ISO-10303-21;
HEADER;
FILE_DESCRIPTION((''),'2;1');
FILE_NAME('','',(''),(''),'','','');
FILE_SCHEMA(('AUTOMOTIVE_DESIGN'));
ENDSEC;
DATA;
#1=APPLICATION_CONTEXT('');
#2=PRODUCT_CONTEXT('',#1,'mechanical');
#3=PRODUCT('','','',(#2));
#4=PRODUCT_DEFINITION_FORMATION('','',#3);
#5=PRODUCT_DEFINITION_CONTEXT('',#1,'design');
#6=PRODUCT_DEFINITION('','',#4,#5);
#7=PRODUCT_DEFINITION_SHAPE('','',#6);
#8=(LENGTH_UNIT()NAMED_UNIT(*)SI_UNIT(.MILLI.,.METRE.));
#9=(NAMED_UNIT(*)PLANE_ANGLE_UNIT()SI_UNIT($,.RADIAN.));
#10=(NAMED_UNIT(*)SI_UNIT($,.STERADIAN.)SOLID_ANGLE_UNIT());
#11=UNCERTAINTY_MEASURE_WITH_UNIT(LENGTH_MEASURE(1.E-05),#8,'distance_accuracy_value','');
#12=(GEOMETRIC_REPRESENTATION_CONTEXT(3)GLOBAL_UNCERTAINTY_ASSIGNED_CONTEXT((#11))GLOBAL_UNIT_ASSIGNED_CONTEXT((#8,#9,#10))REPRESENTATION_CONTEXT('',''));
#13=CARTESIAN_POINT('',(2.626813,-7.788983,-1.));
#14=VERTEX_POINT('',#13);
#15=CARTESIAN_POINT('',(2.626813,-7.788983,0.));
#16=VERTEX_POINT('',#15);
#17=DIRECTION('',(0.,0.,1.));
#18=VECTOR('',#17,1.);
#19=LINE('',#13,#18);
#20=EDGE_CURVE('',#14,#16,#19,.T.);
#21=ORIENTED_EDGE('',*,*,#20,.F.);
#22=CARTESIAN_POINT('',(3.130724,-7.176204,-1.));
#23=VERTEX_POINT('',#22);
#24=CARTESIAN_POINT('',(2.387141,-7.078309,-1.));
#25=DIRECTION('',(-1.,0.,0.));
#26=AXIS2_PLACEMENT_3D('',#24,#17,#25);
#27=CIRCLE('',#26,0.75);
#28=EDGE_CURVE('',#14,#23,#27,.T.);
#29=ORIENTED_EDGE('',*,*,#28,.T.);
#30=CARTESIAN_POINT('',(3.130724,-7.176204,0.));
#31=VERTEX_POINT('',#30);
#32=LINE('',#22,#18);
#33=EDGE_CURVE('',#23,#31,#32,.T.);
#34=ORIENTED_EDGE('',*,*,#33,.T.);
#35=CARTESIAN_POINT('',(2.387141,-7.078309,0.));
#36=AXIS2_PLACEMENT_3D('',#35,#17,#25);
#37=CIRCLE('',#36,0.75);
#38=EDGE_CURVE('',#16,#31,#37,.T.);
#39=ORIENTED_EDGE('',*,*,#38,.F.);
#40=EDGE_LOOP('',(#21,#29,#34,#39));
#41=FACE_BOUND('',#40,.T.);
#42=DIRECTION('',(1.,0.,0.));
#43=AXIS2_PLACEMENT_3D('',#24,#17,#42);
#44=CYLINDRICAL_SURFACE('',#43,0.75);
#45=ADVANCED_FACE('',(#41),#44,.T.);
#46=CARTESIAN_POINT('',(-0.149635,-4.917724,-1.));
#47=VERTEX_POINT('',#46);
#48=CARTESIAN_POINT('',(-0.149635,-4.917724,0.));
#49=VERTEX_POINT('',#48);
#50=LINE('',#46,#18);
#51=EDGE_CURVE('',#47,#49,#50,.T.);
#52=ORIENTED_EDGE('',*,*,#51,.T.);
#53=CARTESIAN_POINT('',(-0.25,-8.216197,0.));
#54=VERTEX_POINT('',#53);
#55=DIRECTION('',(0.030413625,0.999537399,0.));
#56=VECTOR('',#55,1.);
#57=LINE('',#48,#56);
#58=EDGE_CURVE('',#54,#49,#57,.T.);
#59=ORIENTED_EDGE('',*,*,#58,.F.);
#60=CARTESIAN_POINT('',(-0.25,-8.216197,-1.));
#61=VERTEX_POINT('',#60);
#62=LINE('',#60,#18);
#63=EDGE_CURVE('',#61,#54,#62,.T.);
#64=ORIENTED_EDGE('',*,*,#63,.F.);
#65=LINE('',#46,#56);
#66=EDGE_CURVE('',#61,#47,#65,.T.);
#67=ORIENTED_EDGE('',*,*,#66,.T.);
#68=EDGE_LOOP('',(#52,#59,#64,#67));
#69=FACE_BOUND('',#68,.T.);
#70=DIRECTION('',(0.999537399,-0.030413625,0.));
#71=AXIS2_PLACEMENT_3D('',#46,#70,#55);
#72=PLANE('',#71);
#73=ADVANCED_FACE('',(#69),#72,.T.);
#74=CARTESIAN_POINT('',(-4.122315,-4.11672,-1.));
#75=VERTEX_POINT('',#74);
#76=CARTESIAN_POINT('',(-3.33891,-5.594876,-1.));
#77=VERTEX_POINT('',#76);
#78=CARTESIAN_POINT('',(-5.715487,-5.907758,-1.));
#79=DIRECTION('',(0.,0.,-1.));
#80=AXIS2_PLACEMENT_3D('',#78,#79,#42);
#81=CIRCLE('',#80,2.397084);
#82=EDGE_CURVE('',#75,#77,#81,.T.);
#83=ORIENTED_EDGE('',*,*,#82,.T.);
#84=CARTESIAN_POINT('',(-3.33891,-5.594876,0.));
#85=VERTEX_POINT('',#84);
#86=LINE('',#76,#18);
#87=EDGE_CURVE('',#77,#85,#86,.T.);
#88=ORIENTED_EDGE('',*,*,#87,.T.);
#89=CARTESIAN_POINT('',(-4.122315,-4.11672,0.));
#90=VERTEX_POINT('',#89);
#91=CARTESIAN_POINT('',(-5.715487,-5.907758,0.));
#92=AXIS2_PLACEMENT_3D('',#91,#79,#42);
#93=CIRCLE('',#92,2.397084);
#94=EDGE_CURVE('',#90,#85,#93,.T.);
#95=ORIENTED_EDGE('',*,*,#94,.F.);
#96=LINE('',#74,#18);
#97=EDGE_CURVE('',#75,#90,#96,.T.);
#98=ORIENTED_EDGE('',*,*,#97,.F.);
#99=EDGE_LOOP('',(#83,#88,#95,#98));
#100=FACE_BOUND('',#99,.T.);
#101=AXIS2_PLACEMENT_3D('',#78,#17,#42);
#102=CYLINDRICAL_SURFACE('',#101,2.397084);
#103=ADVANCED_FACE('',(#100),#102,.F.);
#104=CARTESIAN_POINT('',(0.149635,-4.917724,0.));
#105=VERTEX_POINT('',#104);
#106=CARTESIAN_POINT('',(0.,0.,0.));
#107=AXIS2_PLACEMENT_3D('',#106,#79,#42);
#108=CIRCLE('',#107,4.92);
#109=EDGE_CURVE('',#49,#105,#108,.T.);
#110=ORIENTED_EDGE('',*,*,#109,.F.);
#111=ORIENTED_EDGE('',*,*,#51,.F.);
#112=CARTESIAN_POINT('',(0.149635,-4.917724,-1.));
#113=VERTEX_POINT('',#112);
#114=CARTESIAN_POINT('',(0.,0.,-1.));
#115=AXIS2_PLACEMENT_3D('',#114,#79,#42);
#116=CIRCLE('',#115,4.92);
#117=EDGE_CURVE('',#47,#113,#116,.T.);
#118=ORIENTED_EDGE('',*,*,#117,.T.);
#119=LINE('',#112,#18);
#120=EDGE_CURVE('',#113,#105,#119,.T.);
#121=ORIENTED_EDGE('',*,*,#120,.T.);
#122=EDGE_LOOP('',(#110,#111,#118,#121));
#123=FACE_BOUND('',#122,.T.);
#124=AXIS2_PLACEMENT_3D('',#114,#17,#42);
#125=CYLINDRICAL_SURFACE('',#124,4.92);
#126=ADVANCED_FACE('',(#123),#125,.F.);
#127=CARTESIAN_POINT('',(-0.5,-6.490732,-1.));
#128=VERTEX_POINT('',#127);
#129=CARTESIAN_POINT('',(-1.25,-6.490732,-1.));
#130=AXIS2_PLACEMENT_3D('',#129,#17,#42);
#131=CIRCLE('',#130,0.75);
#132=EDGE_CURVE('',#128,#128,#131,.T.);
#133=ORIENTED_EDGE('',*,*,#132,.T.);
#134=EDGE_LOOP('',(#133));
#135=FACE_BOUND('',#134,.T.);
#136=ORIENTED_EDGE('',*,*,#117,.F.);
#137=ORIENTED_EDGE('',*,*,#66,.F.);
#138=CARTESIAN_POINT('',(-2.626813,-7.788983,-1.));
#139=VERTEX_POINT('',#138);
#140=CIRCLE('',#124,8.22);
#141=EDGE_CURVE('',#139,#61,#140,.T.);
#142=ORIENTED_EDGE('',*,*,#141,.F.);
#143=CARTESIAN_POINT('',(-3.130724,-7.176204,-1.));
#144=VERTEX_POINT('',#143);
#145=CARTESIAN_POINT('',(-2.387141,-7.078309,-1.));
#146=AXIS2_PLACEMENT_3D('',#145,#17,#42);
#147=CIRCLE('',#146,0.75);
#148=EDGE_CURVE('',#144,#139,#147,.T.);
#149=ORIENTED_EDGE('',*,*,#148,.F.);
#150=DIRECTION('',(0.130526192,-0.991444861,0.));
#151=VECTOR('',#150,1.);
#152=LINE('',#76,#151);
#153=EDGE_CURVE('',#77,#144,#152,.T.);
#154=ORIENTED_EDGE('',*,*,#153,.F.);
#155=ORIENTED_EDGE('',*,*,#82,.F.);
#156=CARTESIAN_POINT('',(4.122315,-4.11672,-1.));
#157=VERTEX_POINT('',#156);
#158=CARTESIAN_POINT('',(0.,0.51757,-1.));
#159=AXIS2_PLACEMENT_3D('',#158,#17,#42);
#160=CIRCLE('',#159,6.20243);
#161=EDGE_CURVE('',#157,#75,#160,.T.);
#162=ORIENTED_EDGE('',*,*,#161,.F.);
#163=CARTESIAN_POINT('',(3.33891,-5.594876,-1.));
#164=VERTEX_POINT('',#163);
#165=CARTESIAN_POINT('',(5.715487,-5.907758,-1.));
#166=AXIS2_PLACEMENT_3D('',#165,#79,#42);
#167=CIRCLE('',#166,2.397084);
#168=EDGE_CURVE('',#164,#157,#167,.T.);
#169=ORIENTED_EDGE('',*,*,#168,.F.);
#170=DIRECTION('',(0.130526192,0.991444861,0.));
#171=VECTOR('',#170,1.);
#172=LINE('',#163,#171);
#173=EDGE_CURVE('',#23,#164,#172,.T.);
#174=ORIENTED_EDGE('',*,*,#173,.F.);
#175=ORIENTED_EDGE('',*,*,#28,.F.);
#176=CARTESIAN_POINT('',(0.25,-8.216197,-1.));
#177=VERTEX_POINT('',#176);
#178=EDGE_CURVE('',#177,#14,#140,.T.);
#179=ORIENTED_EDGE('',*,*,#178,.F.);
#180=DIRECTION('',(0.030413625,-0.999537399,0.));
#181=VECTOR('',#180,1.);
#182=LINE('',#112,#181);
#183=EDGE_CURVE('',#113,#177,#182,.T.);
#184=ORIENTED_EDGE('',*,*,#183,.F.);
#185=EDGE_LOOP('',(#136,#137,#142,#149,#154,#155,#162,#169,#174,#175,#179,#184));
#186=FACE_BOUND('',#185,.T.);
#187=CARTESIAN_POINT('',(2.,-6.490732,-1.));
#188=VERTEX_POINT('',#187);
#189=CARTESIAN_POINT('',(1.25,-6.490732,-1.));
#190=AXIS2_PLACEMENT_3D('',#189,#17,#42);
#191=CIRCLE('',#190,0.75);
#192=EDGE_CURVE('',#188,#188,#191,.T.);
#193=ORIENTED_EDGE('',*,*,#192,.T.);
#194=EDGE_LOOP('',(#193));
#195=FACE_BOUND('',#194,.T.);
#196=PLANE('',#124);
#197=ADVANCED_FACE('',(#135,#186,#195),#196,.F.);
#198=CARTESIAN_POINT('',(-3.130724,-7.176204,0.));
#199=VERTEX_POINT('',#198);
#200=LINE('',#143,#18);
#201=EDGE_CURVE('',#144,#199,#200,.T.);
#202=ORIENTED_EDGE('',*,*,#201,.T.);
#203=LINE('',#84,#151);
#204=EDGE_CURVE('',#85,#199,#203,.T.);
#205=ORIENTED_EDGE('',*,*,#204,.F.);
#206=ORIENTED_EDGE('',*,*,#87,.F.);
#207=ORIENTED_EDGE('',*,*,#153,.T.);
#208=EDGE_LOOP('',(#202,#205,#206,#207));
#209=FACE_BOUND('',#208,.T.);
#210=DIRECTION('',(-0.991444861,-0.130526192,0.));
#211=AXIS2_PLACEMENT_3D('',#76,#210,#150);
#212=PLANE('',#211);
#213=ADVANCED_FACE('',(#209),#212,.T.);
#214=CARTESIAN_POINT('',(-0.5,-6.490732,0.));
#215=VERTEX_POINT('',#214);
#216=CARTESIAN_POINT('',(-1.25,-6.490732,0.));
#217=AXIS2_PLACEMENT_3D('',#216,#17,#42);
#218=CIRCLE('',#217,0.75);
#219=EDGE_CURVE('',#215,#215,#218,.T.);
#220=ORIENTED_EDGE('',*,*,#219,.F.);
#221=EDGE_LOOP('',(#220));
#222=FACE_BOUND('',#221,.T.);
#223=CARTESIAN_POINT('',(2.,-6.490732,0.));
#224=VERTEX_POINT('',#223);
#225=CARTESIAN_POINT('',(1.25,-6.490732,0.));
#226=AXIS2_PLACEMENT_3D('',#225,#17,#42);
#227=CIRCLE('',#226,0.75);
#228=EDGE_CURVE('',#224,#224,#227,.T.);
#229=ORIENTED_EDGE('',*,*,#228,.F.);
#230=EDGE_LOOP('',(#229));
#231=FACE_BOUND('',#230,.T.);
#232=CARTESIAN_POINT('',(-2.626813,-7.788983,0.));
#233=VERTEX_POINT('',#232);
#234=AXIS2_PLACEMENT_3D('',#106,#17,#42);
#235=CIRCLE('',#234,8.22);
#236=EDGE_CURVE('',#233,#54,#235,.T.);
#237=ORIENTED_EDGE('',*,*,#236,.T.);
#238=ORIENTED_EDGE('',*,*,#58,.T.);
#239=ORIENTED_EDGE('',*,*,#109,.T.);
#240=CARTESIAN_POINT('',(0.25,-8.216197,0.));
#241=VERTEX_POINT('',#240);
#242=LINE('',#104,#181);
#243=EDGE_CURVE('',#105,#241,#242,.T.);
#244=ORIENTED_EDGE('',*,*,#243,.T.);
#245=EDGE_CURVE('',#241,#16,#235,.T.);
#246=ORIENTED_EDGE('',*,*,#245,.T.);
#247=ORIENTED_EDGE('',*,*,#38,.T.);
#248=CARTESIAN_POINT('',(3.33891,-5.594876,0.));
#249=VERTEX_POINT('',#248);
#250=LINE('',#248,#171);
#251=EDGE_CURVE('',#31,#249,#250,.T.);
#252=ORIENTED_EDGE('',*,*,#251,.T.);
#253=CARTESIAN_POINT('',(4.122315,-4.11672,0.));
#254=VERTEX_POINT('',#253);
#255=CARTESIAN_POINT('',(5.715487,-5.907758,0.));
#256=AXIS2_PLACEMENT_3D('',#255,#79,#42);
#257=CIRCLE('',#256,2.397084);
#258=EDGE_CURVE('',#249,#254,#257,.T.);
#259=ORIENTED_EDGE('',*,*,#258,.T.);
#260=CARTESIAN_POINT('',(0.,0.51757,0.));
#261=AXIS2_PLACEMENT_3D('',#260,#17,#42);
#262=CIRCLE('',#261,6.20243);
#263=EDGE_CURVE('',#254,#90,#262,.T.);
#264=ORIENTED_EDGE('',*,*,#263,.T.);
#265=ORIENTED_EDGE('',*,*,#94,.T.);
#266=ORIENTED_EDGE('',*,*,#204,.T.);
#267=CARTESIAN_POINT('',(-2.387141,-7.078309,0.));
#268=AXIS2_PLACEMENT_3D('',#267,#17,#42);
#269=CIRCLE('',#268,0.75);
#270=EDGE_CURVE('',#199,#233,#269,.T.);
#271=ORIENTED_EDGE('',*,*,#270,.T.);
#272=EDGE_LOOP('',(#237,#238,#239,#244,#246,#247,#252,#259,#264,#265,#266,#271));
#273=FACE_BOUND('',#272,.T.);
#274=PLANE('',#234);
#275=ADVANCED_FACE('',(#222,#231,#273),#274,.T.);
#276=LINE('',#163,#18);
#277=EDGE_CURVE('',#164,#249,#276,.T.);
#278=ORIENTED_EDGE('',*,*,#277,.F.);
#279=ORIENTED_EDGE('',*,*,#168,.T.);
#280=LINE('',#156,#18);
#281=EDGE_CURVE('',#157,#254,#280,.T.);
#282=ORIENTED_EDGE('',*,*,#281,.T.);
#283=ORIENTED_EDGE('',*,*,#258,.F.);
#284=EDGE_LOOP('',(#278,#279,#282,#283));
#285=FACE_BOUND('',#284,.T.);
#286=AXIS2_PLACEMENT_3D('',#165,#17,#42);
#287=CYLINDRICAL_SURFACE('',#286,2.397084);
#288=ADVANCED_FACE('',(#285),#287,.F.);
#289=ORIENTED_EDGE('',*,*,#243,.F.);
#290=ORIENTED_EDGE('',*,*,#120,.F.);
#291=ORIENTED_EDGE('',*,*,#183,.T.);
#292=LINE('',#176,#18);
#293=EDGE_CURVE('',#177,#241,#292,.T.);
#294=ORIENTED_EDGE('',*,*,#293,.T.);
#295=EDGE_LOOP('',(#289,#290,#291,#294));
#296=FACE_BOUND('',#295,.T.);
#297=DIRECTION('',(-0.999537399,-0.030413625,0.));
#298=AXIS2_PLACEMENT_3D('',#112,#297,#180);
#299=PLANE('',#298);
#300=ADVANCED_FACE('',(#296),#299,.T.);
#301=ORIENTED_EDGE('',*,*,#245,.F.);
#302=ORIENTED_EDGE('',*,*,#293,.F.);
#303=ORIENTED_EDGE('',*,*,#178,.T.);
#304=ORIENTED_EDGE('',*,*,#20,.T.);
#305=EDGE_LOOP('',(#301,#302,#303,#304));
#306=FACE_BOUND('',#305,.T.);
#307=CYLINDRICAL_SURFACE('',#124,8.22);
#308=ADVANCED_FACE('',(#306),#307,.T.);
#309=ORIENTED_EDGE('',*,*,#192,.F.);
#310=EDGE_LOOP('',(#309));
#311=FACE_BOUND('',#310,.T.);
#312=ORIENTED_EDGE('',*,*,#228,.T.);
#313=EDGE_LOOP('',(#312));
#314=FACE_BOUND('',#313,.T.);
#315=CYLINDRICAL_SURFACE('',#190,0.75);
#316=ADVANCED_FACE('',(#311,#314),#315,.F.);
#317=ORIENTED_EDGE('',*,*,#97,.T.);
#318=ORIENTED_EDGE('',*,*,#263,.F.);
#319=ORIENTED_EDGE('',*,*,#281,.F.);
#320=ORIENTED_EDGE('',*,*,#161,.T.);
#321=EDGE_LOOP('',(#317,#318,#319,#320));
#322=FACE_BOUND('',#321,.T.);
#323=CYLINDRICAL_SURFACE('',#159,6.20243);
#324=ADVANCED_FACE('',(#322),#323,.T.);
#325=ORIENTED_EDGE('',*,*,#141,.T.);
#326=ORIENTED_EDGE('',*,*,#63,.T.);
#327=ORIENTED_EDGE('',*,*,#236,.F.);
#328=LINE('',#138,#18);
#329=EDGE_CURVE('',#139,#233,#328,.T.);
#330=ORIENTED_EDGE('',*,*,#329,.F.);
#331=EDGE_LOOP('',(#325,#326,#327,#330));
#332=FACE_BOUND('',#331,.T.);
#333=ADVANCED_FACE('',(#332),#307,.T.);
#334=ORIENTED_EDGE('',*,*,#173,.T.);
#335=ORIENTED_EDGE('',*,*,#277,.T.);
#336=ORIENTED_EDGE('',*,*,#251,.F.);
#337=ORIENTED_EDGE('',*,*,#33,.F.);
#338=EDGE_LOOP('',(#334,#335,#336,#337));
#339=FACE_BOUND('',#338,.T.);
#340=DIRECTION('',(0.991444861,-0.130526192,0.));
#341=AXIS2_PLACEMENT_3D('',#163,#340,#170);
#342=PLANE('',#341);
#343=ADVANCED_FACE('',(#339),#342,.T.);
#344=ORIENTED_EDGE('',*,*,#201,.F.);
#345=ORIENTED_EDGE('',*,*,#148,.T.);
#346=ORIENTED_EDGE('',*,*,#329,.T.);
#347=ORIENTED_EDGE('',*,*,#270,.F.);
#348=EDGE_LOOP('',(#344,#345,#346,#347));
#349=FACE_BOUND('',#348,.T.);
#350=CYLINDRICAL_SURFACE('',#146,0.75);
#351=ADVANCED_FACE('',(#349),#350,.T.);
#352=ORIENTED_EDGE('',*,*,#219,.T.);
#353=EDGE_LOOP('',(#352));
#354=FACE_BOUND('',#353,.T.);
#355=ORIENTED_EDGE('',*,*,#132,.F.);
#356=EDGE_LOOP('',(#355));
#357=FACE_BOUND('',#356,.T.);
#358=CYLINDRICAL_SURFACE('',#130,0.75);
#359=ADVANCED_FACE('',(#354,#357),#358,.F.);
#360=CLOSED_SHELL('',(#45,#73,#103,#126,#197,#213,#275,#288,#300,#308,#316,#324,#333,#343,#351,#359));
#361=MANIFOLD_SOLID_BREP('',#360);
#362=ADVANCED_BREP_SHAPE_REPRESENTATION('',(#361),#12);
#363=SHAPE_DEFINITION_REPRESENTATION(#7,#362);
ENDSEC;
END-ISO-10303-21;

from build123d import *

# Parameters (mm, degrees)
BODYSKE_R  = 0.75
BODY_DEPTH = 1


with BuildPart() as part:
    # BodySke → Body (new body)
    with BuildSketch(Plane.XY):
        with BuildLine():
            Line((0.149635036, -4.917724002), (0.25, -8.216197417))
            ThreePointArc((0.25, -8.216197417), (1.454180899, -8.090349678), (2.626813498, -7.788982658))
            ThreePointArc((2.626813498, -7.788982658), (2.966427195, -7.554677818), (3.13072438, -7.176203702))
            Line((3.13072438, -7.176203702), (3.338910124, -5.594875973))
            ThreePointArc((3.338910124, -5.594875973), (3.597477975, -4.785238431), (4.122315108, -4.116720467))
            ThreePointArc((4.122315108, -4.116720467), (0, 6.72), (-4.122315108, -4.116720467))
            ThreePointArc((-4.122315108, -4.116720467), (-3.597477975, -4.785238431), (-3.338910124, -5.594875973))
            Line((-3.338910124, -5.594875973), (-3.13072438, -7.176203702))
            ThreePointArc((-3.13072438, -7.176203702), (-2.966427195, -7.554677818), (-2.626813498, -7.788982658))
            ThreePointArc((-2.626813498, -7.788982658), (-1.454180899, -8.090349678), (-0.25, -8.216197417))
            Line((-0.25, -8.216197417), (-0.149635036, -4.917724002))
            ThreePointArc((-0.149635036, -4.917724002), (0, 4.92), (0.149635036, -4.917724002))
        make_face()
        with Locations((1.25, -6.490731854)):
            Circle(BODYSKE_R, mode=Mode.SUBTRACT)
        with Locations((-1.25, -6.490731854)):
            Circle(BODYSKE_R, mode=Mode.SUBTRACT)
    extrude(amount=-BODY_DEPTH)


solid = part.part
